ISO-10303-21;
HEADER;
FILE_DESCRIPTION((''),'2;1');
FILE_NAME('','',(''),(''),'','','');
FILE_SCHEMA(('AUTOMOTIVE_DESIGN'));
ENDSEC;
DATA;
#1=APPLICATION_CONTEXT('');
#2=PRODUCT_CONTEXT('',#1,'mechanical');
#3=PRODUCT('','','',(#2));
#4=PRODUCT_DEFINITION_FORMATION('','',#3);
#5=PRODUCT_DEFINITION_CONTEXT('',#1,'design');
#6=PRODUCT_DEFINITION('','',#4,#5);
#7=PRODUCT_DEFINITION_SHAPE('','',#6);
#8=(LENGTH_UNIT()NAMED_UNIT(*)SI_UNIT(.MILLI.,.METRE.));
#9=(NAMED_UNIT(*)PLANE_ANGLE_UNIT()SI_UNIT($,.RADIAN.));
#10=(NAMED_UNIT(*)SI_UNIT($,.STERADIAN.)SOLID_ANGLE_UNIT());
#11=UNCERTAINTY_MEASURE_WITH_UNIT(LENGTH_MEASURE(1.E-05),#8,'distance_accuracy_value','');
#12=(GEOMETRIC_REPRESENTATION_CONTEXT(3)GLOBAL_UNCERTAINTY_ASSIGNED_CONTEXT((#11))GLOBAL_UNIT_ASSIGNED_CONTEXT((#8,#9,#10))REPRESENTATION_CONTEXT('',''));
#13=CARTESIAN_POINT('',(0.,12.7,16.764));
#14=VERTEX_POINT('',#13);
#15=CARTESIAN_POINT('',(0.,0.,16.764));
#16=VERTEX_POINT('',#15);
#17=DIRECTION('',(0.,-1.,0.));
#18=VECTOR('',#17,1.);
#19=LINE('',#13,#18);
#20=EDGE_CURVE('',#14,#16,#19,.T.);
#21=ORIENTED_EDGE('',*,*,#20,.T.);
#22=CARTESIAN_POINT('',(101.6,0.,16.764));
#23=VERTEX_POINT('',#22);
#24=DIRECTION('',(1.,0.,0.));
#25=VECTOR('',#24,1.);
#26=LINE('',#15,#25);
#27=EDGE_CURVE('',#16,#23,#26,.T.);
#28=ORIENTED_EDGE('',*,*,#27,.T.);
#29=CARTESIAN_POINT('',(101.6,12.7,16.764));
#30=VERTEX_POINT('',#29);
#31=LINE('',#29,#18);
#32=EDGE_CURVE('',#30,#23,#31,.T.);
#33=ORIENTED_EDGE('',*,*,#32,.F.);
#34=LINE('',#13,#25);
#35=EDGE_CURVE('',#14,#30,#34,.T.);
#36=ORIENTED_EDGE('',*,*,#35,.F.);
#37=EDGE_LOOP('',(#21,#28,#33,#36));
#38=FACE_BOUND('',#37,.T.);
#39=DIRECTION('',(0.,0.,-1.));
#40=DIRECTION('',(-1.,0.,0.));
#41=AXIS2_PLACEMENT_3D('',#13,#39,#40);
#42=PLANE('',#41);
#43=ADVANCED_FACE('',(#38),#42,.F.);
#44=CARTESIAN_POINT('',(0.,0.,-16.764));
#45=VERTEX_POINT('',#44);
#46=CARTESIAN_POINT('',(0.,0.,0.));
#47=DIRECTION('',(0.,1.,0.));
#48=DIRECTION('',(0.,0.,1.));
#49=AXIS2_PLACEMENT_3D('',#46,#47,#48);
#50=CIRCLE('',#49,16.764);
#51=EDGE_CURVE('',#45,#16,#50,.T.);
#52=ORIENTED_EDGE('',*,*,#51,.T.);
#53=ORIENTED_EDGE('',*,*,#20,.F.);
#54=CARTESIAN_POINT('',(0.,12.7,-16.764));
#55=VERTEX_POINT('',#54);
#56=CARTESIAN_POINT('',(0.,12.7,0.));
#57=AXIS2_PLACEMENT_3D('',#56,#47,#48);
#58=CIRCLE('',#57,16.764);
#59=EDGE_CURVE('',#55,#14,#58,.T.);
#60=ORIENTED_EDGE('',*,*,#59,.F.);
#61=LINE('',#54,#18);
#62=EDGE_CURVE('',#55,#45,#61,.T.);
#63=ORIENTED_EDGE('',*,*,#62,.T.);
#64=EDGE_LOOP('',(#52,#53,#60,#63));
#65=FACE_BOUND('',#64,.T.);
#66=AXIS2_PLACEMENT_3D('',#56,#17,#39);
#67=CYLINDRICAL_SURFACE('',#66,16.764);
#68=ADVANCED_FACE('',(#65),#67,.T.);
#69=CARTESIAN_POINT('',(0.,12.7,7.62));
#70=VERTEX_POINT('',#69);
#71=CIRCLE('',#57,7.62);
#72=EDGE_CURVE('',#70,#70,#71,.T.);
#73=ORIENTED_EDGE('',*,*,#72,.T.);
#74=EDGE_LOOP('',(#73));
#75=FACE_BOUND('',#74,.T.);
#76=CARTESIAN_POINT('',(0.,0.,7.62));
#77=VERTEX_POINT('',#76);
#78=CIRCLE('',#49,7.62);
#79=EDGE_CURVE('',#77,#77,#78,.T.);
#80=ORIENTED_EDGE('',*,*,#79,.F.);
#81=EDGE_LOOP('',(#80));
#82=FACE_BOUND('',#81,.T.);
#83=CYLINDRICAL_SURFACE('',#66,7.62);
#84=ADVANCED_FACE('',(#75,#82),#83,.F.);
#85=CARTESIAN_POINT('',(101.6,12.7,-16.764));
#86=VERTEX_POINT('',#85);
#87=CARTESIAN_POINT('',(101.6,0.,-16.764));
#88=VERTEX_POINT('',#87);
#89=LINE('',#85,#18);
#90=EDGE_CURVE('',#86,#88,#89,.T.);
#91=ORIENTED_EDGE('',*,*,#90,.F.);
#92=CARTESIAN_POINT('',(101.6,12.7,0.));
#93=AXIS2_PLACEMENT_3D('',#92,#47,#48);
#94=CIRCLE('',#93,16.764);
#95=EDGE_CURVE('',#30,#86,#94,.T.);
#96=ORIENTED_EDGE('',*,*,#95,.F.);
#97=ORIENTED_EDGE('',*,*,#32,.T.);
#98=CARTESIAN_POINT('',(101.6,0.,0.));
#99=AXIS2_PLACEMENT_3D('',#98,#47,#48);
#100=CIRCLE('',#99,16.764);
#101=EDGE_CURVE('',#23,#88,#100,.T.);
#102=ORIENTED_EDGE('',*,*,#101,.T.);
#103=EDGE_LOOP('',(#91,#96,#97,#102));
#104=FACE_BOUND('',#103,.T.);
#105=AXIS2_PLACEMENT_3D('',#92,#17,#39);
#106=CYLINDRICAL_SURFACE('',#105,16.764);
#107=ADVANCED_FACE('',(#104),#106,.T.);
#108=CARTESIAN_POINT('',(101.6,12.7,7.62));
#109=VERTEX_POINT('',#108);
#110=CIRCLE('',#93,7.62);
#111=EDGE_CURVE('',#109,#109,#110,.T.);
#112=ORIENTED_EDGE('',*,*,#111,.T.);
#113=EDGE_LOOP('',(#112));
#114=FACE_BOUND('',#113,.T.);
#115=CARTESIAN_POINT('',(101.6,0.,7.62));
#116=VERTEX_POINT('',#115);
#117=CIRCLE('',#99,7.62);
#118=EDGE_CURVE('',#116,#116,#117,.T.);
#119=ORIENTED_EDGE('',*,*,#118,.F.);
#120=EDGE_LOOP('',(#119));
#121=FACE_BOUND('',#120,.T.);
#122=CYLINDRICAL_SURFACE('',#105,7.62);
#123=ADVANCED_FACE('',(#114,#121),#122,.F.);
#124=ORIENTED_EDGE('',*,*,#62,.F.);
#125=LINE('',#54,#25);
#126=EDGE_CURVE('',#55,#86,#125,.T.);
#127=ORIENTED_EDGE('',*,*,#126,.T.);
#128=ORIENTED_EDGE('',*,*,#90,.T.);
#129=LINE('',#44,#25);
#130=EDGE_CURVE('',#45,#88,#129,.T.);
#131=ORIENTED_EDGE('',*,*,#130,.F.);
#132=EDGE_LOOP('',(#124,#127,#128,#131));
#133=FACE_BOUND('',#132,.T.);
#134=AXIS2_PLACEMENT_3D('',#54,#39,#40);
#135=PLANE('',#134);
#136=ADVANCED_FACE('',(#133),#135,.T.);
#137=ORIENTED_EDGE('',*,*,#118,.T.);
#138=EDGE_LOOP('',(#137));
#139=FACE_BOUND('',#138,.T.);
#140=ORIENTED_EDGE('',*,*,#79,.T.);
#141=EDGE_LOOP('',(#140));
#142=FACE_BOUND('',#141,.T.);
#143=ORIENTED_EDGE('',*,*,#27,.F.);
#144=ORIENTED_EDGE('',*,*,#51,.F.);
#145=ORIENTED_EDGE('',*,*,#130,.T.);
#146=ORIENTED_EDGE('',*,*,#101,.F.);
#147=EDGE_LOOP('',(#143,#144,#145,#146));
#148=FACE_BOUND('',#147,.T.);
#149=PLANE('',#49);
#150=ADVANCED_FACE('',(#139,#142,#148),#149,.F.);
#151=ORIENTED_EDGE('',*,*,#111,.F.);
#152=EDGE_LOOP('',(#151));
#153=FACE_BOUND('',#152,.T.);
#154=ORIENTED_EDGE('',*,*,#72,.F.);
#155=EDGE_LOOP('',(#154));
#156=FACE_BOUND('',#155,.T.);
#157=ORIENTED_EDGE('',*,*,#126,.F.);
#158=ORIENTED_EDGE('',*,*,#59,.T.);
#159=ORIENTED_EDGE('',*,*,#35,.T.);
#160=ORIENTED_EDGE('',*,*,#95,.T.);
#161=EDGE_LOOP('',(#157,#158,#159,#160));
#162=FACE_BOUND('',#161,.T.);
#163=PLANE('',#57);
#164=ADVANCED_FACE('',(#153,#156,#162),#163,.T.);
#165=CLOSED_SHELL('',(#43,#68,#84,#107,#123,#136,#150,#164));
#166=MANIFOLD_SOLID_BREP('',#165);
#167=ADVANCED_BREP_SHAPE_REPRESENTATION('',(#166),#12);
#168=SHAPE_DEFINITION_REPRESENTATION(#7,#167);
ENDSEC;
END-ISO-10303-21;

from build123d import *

# Parameters (mm, degrees)
SKETCH1_R           = 7.62
BOSS_EXTRUDE1_DEPTH = 12.7


with BuildPart() as part:
    # Sketch1 → Boss-Extrude1 (new body)
    with BuildSketch(Plane(origin=(0, 0, 0), x_dir=(1, 0, 0), z_dir=(0, 1, 0))):
        with BuildLine():
            Line((0, 16.764), (101.6, 16.764))
            ThreePointArc((101.6, 16.764), (118.364, 0), (101.6, -16.764))
            Line((101.6, -16.764), (0, -16.764))
            ThreePointArc((0, -16.764), (-16.764, 0), (0, 16.764))
        make_face()
        with Locations(Location((0, 0, 0), (0, 0, 270))):
            Circle(SKETCH1_R, mode=Mode.SUBTRACT)
        with Locations(Location((101.6, 0, 0), (0, 0, 270))):
            Circle(SKETCH1_R, mode=Mode.SUBTRACT)
    extrude(amount=BOSS_EXTRUDE1_DEPTH)


solid = part.part
